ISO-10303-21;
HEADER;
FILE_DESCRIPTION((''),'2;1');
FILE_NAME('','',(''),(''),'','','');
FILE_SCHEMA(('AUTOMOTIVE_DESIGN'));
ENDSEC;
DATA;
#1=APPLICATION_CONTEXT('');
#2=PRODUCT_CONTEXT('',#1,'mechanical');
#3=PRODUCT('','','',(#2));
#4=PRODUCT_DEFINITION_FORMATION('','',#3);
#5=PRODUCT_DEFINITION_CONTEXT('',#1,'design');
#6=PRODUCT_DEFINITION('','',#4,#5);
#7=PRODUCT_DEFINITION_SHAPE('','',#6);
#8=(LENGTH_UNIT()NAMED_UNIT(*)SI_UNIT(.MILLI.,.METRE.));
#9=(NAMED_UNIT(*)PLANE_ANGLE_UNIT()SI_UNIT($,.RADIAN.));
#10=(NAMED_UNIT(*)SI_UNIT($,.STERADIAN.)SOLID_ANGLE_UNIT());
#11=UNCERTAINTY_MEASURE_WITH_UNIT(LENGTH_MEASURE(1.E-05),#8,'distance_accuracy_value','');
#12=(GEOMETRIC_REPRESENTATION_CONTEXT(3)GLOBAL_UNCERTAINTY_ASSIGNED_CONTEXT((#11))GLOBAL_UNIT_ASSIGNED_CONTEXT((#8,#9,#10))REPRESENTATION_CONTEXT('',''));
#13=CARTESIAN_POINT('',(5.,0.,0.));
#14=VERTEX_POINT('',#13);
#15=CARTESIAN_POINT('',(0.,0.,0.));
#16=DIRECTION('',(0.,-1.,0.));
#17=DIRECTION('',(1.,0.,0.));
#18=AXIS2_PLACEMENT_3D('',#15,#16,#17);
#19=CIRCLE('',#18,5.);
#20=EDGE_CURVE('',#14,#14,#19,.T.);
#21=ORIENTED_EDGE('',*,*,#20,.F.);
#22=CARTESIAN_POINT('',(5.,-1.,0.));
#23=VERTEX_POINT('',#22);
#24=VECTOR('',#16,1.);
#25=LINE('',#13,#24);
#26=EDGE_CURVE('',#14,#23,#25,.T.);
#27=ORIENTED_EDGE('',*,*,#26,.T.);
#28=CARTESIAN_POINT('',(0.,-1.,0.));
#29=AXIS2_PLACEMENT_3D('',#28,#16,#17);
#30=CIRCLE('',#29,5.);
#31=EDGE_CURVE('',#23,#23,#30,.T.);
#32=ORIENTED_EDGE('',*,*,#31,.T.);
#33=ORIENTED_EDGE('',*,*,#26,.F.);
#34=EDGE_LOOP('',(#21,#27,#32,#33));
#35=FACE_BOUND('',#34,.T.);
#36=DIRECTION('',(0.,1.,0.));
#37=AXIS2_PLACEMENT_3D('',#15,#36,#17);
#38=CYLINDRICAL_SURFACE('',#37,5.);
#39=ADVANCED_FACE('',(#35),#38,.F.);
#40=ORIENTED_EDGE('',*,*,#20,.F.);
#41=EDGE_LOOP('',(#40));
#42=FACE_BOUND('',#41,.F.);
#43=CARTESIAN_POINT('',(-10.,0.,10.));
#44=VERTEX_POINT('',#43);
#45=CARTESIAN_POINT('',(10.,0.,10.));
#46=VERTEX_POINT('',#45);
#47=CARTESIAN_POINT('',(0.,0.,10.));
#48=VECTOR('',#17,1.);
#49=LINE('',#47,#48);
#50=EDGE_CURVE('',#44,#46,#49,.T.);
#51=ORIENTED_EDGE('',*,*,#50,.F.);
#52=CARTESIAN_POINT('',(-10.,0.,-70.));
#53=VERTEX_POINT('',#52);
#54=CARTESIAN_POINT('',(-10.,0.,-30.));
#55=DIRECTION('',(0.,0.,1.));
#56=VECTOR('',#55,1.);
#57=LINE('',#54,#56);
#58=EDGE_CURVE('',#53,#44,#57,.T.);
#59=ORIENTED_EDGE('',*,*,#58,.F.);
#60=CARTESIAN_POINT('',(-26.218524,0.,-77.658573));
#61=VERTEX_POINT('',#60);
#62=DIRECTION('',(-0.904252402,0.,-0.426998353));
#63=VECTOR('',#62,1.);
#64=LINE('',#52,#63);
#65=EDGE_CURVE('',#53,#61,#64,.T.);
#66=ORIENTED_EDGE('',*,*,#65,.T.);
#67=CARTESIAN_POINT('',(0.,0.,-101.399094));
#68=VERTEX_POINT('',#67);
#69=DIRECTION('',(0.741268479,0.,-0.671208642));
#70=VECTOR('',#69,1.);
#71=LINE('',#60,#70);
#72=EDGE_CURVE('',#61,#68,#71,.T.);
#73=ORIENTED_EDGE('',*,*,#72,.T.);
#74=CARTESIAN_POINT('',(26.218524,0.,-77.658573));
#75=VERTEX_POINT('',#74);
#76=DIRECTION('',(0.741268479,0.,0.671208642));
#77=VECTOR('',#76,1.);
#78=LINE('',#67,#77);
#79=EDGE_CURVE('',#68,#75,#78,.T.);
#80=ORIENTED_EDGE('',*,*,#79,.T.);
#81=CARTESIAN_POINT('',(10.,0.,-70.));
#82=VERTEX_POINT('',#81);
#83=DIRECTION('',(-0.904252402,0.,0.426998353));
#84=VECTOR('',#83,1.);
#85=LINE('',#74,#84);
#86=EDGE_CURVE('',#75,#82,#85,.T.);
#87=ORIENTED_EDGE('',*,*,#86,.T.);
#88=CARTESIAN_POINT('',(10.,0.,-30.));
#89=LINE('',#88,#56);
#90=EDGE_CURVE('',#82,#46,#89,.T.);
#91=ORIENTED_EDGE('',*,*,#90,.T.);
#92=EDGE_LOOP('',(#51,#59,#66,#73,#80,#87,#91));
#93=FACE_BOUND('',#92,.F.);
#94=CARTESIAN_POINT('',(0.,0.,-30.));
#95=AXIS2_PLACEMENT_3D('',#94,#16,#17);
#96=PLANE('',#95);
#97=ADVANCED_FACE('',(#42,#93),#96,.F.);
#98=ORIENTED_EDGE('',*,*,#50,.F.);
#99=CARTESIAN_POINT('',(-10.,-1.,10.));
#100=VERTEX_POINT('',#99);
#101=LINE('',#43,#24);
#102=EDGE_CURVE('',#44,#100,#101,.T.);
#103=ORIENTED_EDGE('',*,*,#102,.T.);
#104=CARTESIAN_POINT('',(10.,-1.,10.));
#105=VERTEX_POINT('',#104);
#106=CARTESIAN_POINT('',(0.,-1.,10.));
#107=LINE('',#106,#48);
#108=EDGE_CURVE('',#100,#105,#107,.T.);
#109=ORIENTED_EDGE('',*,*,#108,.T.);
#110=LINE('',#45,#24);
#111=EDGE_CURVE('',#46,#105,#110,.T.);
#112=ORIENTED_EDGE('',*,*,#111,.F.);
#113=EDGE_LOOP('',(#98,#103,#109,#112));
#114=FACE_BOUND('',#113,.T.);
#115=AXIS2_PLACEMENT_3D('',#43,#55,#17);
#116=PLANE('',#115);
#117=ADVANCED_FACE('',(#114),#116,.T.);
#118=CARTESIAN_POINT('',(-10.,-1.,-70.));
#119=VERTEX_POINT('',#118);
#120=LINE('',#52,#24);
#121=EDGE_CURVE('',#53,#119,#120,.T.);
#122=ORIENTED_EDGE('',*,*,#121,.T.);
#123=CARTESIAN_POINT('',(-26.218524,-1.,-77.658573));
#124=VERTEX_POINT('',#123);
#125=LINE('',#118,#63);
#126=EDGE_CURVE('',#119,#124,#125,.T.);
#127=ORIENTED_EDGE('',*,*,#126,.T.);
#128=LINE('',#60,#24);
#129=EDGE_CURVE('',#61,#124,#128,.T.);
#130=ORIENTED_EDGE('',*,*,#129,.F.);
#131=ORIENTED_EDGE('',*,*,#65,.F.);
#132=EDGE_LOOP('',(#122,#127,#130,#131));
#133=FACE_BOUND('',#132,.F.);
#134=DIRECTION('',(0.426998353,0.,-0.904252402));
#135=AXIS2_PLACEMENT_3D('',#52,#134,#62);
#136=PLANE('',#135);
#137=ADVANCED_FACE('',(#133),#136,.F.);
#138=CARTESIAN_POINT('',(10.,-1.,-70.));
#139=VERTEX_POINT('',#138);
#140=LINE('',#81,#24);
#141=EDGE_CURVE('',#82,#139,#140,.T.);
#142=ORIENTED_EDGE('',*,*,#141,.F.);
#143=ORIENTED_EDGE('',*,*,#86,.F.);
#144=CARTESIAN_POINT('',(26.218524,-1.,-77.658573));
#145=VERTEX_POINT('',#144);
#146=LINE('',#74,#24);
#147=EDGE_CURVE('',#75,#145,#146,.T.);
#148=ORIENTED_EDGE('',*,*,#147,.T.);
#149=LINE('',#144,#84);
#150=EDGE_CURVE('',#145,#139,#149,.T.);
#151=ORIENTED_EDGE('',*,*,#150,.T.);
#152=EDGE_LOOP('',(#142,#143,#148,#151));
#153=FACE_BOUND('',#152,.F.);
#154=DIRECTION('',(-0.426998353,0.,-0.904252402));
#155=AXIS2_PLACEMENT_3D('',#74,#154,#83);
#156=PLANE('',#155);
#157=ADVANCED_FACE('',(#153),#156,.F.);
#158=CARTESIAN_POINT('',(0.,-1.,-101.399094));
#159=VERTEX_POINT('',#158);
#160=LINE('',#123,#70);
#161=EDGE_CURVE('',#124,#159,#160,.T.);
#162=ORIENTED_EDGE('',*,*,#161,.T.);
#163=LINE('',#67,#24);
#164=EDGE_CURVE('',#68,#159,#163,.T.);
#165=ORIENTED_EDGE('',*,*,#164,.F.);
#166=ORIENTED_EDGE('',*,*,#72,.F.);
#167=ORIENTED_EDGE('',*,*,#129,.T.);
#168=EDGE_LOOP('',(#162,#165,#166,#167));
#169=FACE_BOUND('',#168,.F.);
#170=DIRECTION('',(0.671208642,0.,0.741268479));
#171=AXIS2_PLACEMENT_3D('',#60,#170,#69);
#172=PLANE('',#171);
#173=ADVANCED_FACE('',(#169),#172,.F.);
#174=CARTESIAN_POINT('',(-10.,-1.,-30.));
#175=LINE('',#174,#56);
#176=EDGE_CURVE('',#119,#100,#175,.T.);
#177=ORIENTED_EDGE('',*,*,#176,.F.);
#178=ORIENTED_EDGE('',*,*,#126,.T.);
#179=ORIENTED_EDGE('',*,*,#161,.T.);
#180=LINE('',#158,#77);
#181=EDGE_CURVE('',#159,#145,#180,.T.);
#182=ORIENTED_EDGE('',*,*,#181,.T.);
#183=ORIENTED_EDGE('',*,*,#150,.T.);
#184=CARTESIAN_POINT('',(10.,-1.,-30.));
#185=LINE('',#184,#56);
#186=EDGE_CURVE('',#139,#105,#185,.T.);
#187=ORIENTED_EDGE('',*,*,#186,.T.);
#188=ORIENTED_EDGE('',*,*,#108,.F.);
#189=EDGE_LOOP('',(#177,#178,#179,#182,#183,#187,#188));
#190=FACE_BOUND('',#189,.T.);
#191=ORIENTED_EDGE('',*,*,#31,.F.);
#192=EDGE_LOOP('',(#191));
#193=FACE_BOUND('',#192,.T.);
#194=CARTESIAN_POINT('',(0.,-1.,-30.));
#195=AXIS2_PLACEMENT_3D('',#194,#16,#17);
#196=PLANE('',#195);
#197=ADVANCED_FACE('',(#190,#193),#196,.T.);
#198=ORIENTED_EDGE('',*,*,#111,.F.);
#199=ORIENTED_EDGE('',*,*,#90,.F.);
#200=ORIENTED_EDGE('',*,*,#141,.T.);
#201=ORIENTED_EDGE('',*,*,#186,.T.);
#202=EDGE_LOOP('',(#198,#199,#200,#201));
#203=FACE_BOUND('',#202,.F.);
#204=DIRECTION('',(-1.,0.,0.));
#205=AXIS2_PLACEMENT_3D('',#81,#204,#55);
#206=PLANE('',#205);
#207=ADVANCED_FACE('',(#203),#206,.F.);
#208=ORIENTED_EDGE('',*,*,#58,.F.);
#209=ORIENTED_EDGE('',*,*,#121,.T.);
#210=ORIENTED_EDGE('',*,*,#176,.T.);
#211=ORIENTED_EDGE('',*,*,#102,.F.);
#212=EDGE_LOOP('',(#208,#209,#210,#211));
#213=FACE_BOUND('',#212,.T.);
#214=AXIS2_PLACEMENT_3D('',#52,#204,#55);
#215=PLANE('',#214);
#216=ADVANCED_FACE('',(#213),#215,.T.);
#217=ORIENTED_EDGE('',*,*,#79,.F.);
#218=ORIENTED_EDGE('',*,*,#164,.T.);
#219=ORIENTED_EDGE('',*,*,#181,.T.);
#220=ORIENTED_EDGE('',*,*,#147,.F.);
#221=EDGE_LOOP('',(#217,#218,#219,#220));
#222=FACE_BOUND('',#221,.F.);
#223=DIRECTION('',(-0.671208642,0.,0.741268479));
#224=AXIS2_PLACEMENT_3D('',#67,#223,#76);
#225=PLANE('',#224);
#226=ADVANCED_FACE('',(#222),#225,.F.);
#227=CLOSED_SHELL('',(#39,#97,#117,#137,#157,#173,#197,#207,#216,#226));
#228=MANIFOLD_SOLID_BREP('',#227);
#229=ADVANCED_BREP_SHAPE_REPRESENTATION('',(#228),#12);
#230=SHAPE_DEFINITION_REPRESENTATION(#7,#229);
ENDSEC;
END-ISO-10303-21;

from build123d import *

# Parameters (mm, degrees)
F0_W     = 20
F0_H     = 80
F0_R     = 5
F1_DEPTH = 1


with BuildPart() as f1:
    # F0 (on Front) → F1 (new body)
    with BuildSketch(Plane.XZ):
        with Locations((0, -30)):
            Rectangle(F0_W, F0_H)
        Circle(F0_R, mode=Mode.SUBTRACT)
        Polygon((10, -70), (-10, -70), (-26.218524, -77.658573), (0, -101.399094), (26.218524, -77.658573), align=None)
    extrude(amount=F1_DEPTH)


solid = f1.part
